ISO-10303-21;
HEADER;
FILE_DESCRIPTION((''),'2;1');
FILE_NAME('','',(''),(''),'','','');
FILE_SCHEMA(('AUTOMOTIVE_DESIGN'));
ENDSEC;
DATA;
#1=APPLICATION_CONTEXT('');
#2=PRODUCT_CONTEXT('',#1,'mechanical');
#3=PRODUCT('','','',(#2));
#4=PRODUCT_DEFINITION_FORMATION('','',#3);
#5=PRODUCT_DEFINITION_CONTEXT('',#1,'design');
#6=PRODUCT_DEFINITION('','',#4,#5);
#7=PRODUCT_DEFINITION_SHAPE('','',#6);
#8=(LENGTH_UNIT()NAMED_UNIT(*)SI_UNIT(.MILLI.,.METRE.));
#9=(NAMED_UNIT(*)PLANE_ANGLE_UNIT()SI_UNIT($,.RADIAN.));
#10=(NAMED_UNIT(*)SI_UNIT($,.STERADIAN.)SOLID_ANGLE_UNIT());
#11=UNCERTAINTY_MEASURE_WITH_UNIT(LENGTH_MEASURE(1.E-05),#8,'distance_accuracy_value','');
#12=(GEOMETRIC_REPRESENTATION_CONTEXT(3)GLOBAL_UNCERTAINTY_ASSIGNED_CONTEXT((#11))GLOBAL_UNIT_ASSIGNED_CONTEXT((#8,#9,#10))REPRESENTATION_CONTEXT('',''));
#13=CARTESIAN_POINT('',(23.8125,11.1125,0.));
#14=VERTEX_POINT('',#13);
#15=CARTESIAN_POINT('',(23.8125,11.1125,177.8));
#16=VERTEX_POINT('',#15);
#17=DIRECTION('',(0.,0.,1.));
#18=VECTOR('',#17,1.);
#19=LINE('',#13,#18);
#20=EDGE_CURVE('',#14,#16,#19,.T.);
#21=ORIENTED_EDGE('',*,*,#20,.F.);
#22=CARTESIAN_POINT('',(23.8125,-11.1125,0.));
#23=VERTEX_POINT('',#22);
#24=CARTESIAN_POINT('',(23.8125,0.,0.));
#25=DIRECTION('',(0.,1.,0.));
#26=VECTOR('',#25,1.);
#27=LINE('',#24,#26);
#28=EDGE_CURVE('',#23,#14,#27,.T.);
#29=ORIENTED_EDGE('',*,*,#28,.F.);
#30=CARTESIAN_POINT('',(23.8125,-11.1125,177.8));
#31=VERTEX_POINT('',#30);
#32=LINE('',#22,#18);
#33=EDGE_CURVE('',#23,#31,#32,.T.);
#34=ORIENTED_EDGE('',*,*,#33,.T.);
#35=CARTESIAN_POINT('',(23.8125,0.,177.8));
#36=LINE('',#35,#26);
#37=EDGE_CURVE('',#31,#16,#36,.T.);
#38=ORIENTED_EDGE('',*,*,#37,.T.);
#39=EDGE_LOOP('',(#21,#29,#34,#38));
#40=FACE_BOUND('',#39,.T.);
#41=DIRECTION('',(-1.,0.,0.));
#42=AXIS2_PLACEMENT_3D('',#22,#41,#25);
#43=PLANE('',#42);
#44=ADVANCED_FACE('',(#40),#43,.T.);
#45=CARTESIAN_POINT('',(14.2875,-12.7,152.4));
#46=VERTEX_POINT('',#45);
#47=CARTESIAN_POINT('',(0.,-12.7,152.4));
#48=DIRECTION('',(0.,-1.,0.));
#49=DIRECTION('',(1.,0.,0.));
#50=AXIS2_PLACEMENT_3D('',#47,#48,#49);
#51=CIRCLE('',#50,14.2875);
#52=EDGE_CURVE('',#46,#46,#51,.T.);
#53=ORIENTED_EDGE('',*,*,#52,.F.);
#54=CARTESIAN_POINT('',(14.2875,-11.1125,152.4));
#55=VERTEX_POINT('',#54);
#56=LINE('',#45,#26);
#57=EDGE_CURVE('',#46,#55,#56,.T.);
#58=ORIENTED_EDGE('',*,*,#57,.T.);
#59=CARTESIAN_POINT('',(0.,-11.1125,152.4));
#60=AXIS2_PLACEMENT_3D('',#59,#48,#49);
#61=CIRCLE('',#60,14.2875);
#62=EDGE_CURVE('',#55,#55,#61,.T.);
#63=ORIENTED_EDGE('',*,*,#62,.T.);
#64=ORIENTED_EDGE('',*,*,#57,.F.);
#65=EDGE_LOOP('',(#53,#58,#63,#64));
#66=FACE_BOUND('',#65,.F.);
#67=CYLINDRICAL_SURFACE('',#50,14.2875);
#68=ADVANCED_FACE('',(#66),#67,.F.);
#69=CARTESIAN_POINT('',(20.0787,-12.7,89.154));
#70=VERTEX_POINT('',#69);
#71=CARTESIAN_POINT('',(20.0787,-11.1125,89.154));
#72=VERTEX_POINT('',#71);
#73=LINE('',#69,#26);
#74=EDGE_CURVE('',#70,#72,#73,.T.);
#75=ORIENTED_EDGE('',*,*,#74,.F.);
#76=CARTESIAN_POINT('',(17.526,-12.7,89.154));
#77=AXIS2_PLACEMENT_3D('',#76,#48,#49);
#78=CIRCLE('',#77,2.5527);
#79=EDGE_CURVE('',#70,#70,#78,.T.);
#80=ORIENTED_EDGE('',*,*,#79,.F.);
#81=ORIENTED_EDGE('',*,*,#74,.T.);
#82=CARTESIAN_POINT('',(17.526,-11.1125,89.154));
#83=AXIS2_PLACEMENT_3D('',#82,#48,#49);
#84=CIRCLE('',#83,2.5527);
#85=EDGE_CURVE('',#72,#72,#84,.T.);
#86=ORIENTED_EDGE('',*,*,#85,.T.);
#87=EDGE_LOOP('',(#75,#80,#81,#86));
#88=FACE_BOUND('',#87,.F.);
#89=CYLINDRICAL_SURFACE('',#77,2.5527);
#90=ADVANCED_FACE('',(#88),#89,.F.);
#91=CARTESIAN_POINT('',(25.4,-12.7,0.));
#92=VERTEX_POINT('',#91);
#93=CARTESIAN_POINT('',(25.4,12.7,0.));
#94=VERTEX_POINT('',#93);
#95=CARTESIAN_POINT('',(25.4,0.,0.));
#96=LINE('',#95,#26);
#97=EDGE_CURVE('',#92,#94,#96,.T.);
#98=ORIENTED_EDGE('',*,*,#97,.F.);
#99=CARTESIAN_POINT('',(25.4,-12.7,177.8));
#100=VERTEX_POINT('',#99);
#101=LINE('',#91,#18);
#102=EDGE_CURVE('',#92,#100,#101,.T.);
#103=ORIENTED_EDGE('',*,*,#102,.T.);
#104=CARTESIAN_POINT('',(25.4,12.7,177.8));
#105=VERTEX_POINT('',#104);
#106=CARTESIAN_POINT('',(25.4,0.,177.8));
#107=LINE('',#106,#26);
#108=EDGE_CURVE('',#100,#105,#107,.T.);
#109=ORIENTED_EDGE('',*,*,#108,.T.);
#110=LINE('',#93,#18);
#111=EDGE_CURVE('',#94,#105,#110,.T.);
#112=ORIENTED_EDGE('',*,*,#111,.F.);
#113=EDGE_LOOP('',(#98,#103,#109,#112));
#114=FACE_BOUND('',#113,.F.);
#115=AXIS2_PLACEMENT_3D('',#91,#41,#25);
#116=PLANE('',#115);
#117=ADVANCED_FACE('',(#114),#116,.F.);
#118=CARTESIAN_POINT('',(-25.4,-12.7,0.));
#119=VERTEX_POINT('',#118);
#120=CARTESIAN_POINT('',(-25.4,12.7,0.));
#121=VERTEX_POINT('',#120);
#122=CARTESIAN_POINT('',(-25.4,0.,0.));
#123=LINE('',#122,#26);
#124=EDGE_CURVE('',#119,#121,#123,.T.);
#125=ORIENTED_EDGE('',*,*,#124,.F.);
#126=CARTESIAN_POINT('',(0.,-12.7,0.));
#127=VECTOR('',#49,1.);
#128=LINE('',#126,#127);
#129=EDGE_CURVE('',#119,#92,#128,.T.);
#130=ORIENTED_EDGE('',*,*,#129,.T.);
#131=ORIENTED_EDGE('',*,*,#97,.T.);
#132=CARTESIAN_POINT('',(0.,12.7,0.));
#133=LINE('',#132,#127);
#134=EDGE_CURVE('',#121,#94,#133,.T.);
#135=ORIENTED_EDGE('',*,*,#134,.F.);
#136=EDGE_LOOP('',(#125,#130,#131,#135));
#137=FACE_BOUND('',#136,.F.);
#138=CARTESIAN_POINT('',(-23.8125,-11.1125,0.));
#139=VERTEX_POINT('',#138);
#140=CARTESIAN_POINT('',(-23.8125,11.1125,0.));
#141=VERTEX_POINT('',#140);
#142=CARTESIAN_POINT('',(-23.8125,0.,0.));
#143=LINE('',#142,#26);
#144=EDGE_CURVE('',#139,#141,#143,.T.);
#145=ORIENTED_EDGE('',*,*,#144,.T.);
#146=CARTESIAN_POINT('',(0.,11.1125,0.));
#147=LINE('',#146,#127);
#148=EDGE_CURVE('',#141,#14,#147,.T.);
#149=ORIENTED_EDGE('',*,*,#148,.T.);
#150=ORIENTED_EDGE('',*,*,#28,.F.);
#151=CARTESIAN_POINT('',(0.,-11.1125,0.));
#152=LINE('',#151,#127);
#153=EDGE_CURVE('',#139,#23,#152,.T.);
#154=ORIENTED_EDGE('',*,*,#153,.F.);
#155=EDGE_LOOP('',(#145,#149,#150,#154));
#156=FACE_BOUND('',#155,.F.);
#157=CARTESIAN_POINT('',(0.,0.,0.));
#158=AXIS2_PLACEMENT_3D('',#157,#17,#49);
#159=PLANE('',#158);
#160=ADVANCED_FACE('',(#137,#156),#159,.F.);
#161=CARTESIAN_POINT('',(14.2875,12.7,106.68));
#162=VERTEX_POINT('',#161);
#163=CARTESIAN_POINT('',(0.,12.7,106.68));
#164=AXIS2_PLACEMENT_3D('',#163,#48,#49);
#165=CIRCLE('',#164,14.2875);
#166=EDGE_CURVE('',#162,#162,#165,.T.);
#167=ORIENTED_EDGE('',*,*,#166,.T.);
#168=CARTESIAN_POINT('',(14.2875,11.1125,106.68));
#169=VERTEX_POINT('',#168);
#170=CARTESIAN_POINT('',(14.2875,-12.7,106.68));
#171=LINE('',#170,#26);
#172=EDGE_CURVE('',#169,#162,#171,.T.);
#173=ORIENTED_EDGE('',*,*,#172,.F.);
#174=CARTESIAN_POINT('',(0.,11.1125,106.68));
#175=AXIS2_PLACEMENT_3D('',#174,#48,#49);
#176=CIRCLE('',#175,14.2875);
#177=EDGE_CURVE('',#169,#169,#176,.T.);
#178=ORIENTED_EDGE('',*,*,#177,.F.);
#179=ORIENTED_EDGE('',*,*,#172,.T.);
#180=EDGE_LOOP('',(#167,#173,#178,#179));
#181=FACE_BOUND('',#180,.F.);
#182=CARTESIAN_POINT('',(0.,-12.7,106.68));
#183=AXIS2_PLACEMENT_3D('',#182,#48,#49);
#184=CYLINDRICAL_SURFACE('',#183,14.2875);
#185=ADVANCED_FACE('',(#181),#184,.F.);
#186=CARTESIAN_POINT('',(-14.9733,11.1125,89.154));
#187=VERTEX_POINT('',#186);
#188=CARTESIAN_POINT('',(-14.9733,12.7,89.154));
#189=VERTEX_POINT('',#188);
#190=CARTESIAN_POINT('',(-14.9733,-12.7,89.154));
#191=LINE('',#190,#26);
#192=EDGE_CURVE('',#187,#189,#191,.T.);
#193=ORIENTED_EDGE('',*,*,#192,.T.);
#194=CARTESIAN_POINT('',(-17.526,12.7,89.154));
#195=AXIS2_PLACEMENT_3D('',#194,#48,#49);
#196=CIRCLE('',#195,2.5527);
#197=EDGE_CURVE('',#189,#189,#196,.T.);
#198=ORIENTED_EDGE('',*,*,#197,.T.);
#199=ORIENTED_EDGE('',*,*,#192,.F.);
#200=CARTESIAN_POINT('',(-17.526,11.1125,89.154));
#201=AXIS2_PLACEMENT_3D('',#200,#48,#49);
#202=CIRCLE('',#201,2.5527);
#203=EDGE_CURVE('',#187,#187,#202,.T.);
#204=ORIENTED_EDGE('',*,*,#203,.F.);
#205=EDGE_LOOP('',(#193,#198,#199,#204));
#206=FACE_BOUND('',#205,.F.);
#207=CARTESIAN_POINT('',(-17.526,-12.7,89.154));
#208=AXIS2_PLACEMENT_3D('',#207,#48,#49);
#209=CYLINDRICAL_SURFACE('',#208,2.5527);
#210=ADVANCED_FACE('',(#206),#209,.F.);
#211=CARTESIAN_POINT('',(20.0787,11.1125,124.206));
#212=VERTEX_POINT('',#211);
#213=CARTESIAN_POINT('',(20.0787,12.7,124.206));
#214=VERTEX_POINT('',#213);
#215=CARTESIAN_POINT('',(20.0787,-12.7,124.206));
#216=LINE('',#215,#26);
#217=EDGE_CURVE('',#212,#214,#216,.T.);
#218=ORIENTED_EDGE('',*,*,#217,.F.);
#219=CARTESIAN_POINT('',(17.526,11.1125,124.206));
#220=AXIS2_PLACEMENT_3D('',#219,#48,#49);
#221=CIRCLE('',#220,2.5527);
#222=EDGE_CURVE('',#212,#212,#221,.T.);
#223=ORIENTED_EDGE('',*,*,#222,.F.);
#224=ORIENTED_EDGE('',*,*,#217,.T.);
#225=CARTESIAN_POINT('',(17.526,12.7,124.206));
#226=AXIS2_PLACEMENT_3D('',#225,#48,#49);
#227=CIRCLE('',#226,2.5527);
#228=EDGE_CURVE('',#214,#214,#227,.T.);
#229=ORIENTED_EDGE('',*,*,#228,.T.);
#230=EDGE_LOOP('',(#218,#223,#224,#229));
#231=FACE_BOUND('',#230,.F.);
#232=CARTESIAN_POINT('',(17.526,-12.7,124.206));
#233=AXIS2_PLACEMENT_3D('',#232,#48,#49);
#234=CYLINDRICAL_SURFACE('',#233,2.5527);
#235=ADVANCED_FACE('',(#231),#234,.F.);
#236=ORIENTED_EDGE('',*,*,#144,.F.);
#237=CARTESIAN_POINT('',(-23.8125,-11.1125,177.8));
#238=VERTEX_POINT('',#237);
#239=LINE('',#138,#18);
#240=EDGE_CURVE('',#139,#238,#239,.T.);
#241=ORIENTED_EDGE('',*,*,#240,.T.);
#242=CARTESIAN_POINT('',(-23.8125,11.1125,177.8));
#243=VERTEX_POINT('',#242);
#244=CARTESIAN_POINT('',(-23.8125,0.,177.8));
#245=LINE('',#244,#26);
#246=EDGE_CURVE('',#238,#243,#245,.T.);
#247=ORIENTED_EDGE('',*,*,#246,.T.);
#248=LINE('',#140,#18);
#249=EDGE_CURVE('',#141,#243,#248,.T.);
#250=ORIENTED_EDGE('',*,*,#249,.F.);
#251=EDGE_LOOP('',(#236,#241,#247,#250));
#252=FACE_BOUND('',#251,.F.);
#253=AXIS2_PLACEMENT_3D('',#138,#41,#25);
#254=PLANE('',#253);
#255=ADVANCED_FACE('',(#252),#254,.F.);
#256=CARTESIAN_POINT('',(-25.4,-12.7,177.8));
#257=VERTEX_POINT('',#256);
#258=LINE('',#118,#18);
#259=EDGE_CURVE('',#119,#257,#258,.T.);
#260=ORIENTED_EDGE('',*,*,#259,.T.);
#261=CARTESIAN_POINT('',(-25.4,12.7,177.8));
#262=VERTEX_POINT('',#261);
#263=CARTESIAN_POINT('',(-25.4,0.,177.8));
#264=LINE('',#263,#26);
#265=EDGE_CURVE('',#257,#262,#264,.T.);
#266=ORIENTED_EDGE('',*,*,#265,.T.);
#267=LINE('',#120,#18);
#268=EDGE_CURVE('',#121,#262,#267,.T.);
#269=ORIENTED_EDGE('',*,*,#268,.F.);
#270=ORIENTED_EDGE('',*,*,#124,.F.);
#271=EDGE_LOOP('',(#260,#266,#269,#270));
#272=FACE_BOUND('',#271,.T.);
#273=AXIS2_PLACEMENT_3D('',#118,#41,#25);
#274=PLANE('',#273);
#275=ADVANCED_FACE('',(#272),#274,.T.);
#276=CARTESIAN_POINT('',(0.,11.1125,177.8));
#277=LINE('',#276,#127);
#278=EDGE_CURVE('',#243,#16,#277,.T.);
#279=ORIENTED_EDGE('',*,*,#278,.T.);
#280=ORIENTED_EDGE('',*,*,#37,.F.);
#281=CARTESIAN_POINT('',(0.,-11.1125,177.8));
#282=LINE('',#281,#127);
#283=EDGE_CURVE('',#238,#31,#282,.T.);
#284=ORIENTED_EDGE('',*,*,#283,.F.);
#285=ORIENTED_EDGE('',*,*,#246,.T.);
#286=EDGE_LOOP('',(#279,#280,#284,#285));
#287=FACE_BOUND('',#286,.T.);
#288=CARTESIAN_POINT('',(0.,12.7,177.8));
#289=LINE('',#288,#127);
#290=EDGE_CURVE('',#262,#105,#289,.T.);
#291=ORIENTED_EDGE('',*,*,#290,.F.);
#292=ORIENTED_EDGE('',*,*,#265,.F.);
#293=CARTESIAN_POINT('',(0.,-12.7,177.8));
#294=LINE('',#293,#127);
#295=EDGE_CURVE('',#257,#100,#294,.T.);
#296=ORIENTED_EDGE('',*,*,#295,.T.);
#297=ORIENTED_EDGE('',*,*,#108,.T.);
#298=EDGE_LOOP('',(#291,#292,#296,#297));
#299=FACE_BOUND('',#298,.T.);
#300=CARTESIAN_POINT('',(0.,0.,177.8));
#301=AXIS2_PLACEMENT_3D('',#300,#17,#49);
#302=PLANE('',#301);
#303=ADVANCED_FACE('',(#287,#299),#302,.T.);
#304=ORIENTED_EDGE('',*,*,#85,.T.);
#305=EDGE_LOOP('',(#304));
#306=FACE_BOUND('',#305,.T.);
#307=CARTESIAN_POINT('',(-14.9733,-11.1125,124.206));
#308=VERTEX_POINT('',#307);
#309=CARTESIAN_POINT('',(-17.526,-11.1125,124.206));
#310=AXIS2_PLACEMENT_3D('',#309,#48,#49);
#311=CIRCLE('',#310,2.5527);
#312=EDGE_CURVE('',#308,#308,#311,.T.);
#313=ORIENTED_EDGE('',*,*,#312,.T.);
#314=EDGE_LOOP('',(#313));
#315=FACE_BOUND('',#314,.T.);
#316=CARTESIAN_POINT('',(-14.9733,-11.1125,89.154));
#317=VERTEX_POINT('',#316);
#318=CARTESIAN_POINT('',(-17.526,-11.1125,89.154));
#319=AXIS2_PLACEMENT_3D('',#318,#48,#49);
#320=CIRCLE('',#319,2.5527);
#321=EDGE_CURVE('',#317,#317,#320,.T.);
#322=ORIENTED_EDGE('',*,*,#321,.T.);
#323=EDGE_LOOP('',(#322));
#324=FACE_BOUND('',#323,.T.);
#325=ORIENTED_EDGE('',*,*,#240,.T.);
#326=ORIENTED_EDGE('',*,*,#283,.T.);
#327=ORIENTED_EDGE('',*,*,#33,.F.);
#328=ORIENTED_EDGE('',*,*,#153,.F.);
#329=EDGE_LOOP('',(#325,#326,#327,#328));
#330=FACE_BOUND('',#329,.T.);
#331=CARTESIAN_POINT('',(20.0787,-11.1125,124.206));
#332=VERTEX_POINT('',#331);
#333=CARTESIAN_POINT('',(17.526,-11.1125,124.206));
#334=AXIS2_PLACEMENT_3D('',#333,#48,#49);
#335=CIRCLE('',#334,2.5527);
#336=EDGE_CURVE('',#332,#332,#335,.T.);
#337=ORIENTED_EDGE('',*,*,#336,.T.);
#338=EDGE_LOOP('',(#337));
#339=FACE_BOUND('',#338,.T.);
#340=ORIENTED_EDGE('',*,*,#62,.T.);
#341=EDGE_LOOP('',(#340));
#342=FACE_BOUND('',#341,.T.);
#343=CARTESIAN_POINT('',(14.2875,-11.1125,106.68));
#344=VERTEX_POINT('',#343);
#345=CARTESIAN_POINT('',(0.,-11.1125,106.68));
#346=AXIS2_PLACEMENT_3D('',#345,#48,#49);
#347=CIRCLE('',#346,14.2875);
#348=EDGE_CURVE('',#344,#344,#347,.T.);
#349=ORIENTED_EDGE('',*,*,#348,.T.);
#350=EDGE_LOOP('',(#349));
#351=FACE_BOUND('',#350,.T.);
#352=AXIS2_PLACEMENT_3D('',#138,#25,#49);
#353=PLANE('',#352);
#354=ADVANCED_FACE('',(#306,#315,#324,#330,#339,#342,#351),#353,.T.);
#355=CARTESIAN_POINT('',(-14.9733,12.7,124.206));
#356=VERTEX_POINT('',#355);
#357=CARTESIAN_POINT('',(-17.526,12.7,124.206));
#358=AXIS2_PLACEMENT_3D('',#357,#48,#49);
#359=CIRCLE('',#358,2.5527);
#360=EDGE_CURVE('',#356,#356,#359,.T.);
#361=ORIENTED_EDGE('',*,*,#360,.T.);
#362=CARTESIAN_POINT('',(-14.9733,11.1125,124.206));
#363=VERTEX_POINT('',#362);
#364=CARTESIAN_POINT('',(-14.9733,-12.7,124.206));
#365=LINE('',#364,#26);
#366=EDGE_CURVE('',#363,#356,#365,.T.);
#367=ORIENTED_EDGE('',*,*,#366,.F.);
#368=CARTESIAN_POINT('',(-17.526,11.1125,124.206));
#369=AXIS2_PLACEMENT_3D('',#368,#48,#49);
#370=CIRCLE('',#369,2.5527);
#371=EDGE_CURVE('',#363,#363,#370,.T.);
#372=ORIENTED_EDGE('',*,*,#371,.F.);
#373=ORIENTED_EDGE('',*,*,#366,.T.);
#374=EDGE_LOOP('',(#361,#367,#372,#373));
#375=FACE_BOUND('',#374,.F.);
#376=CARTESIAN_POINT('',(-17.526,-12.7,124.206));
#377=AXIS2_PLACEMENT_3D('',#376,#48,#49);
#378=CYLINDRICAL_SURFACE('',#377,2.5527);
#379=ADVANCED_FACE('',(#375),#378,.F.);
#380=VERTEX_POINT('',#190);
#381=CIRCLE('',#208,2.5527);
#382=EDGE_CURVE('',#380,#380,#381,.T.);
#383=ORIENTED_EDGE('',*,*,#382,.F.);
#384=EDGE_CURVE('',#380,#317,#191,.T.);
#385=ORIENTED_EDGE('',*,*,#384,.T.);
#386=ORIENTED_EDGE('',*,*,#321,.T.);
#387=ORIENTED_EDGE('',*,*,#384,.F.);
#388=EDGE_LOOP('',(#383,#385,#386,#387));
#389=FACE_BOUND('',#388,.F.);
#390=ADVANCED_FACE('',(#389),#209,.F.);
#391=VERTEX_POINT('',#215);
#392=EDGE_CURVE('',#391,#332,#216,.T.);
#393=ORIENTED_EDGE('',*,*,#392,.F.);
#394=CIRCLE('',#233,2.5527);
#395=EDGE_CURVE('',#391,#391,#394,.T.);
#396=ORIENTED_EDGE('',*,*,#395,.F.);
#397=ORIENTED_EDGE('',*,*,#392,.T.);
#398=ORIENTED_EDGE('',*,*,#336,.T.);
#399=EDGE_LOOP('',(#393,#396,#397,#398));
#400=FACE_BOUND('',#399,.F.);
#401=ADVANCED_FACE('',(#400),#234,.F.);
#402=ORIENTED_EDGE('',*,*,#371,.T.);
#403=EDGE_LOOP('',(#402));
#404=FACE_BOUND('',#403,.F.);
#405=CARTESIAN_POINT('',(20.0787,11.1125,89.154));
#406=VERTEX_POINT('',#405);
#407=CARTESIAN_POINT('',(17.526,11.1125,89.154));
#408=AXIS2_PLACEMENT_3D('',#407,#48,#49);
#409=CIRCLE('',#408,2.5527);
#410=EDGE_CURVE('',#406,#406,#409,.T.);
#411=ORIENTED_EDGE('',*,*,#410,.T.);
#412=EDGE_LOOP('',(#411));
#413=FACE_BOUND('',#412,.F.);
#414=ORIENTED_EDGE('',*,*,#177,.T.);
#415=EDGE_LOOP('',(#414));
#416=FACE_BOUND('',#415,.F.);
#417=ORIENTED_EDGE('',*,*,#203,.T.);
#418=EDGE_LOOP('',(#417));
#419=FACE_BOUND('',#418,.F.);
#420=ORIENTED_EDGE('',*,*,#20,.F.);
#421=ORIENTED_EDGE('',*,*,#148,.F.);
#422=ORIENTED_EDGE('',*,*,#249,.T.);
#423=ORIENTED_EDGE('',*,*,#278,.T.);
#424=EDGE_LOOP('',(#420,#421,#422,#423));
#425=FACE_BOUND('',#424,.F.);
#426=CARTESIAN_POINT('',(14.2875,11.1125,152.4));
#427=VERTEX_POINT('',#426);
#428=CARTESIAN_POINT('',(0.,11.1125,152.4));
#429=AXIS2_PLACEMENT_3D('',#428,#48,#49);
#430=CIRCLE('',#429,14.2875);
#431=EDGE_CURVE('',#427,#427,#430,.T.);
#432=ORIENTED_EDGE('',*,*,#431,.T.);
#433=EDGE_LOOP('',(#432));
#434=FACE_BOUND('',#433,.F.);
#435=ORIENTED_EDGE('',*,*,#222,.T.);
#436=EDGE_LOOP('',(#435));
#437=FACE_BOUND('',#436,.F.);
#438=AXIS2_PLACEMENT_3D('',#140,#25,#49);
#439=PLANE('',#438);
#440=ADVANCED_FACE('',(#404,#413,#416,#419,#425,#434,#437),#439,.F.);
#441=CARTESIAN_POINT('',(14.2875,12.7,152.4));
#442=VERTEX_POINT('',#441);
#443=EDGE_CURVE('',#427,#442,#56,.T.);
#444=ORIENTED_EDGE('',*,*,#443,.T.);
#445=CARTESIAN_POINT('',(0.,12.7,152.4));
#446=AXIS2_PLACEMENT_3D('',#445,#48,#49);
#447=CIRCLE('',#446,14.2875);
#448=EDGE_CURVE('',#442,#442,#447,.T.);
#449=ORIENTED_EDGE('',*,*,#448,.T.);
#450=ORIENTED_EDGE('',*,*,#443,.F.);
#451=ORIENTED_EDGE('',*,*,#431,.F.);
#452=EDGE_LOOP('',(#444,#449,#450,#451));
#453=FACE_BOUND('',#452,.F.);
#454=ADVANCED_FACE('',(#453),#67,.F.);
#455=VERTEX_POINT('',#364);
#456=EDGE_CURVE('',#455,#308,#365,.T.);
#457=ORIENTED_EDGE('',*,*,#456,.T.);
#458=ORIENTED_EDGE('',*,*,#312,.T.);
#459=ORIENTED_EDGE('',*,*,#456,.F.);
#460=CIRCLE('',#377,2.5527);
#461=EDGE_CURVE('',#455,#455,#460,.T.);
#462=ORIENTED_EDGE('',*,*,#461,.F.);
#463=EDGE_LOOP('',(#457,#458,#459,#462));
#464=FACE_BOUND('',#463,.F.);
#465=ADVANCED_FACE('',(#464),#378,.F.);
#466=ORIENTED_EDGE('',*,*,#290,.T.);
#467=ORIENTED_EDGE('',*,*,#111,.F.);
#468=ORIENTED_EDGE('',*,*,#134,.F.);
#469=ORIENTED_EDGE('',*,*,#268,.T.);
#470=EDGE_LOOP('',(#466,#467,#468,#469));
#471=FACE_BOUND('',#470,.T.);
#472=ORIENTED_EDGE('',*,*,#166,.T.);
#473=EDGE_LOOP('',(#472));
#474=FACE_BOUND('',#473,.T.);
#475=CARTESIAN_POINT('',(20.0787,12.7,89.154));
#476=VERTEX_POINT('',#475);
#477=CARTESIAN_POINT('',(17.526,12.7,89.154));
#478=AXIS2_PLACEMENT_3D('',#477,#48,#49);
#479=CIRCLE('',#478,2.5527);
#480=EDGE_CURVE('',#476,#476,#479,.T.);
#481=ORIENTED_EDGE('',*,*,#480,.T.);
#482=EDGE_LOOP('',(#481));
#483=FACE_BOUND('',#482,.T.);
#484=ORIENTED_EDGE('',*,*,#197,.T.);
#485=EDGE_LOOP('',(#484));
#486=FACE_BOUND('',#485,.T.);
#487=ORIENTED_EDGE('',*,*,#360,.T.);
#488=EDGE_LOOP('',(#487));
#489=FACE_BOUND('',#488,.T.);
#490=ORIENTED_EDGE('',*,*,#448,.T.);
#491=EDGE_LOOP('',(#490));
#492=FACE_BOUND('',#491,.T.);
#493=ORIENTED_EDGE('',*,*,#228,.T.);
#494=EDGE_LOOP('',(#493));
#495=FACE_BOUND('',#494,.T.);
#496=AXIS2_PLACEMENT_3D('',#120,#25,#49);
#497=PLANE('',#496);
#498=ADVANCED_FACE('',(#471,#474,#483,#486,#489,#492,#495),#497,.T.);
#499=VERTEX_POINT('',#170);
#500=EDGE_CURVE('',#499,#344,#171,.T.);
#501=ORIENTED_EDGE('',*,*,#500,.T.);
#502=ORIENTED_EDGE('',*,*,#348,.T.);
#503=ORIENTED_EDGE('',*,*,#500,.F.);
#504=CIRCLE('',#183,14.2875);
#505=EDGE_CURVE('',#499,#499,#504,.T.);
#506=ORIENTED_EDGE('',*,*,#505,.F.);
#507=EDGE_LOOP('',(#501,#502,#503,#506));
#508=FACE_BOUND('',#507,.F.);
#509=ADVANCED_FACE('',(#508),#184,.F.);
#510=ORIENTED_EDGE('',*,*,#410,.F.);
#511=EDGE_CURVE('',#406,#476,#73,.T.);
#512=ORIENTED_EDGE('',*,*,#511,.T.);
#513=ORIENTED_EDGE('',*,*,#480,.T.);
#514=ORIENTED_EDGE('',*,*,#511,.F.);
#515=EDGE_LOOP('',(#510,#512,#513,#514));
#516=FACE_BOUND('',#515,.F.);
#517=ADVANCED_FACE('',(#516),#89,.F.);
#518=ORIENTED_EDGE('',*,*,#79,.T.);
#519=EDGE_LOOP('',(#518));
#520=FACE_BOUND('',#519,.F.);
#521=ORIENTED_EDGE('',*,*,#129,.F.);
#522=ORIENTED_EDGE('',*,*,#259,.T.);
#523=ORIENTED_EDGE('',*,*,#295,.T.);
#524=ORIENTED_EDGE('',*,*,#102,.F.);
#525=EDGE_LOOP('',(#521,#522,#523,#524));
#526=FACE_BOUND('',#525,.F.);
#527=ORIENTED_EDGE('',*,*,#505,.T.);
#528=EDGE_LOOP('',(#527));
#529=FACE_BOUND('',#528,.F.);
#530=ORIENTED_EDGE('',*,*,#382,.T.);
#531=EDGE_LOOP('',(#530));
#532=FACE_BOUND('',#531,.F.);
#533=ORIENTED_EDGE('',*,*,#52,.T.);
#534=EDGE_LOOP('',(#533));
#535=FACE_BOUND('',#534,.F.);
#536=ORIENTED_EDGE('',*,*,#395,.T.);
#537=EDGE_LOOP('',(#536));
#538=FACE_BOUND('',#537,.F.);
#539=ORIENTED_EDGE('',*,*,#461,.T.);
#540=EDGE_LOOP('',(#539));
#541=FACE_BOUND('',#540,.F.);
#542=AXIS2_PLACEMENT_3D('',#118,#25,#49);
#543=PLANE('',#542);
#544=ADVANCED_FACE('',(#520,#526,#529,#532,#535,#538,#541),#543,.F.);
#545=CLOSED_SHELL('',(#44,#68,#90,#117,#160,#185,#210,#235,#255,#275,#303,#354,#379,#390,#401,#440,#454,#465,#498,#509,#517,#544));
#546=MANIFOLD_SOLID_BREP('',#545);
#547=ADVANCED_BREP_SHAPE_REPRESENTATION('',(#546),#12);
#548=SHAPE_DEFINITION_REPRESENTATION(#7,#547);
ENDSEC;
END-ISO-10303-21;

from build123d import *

# Parameters (mm, degrees)
F0_W     = 50.8
F0_H     = 25.4
F0_W_2   = 47.625
F0_H_2   = 22.225
F1_DEPTH = 177.8
F2_R     = 14.2875
F2_R_2   = 2.5527
F3_DEPTH = 25.4


with BuildPart() as f1:
    # F0 (on Top) → F1 (new body)
    with BuildSketch(Plane.XY):
        Rectangle(F0_W, F0_H)
        Rectangle(F0_W_2, F0_H_2, mode=Mode.SUBTRACT)
    extrude(amount=F1_DEPTH)

    # F2 (on face) → F3 (cut)
    with BuildSketch(Plane.XZ.offset(12.7)):
        with Locations((0, 152.4)):
            Circle(F2_R)
        with Locations((-17.526, 124.206)):
            Circle(F2_R_2)
        with Locations((17.526, 124.206)):
            Circle(F2_R_2)
        with Locations((17.526, 89.154)):
            Circle(F2_R_2)
        with Locations((-17.526, 89.154)):
            Circle(F2_R_2)
        with Locations((0, 106.68)):
            Circle(F2_R)
    extrude(amount=-F3_DEPTH, mode=Mode.SUBTRACT)


solid = f1.part
